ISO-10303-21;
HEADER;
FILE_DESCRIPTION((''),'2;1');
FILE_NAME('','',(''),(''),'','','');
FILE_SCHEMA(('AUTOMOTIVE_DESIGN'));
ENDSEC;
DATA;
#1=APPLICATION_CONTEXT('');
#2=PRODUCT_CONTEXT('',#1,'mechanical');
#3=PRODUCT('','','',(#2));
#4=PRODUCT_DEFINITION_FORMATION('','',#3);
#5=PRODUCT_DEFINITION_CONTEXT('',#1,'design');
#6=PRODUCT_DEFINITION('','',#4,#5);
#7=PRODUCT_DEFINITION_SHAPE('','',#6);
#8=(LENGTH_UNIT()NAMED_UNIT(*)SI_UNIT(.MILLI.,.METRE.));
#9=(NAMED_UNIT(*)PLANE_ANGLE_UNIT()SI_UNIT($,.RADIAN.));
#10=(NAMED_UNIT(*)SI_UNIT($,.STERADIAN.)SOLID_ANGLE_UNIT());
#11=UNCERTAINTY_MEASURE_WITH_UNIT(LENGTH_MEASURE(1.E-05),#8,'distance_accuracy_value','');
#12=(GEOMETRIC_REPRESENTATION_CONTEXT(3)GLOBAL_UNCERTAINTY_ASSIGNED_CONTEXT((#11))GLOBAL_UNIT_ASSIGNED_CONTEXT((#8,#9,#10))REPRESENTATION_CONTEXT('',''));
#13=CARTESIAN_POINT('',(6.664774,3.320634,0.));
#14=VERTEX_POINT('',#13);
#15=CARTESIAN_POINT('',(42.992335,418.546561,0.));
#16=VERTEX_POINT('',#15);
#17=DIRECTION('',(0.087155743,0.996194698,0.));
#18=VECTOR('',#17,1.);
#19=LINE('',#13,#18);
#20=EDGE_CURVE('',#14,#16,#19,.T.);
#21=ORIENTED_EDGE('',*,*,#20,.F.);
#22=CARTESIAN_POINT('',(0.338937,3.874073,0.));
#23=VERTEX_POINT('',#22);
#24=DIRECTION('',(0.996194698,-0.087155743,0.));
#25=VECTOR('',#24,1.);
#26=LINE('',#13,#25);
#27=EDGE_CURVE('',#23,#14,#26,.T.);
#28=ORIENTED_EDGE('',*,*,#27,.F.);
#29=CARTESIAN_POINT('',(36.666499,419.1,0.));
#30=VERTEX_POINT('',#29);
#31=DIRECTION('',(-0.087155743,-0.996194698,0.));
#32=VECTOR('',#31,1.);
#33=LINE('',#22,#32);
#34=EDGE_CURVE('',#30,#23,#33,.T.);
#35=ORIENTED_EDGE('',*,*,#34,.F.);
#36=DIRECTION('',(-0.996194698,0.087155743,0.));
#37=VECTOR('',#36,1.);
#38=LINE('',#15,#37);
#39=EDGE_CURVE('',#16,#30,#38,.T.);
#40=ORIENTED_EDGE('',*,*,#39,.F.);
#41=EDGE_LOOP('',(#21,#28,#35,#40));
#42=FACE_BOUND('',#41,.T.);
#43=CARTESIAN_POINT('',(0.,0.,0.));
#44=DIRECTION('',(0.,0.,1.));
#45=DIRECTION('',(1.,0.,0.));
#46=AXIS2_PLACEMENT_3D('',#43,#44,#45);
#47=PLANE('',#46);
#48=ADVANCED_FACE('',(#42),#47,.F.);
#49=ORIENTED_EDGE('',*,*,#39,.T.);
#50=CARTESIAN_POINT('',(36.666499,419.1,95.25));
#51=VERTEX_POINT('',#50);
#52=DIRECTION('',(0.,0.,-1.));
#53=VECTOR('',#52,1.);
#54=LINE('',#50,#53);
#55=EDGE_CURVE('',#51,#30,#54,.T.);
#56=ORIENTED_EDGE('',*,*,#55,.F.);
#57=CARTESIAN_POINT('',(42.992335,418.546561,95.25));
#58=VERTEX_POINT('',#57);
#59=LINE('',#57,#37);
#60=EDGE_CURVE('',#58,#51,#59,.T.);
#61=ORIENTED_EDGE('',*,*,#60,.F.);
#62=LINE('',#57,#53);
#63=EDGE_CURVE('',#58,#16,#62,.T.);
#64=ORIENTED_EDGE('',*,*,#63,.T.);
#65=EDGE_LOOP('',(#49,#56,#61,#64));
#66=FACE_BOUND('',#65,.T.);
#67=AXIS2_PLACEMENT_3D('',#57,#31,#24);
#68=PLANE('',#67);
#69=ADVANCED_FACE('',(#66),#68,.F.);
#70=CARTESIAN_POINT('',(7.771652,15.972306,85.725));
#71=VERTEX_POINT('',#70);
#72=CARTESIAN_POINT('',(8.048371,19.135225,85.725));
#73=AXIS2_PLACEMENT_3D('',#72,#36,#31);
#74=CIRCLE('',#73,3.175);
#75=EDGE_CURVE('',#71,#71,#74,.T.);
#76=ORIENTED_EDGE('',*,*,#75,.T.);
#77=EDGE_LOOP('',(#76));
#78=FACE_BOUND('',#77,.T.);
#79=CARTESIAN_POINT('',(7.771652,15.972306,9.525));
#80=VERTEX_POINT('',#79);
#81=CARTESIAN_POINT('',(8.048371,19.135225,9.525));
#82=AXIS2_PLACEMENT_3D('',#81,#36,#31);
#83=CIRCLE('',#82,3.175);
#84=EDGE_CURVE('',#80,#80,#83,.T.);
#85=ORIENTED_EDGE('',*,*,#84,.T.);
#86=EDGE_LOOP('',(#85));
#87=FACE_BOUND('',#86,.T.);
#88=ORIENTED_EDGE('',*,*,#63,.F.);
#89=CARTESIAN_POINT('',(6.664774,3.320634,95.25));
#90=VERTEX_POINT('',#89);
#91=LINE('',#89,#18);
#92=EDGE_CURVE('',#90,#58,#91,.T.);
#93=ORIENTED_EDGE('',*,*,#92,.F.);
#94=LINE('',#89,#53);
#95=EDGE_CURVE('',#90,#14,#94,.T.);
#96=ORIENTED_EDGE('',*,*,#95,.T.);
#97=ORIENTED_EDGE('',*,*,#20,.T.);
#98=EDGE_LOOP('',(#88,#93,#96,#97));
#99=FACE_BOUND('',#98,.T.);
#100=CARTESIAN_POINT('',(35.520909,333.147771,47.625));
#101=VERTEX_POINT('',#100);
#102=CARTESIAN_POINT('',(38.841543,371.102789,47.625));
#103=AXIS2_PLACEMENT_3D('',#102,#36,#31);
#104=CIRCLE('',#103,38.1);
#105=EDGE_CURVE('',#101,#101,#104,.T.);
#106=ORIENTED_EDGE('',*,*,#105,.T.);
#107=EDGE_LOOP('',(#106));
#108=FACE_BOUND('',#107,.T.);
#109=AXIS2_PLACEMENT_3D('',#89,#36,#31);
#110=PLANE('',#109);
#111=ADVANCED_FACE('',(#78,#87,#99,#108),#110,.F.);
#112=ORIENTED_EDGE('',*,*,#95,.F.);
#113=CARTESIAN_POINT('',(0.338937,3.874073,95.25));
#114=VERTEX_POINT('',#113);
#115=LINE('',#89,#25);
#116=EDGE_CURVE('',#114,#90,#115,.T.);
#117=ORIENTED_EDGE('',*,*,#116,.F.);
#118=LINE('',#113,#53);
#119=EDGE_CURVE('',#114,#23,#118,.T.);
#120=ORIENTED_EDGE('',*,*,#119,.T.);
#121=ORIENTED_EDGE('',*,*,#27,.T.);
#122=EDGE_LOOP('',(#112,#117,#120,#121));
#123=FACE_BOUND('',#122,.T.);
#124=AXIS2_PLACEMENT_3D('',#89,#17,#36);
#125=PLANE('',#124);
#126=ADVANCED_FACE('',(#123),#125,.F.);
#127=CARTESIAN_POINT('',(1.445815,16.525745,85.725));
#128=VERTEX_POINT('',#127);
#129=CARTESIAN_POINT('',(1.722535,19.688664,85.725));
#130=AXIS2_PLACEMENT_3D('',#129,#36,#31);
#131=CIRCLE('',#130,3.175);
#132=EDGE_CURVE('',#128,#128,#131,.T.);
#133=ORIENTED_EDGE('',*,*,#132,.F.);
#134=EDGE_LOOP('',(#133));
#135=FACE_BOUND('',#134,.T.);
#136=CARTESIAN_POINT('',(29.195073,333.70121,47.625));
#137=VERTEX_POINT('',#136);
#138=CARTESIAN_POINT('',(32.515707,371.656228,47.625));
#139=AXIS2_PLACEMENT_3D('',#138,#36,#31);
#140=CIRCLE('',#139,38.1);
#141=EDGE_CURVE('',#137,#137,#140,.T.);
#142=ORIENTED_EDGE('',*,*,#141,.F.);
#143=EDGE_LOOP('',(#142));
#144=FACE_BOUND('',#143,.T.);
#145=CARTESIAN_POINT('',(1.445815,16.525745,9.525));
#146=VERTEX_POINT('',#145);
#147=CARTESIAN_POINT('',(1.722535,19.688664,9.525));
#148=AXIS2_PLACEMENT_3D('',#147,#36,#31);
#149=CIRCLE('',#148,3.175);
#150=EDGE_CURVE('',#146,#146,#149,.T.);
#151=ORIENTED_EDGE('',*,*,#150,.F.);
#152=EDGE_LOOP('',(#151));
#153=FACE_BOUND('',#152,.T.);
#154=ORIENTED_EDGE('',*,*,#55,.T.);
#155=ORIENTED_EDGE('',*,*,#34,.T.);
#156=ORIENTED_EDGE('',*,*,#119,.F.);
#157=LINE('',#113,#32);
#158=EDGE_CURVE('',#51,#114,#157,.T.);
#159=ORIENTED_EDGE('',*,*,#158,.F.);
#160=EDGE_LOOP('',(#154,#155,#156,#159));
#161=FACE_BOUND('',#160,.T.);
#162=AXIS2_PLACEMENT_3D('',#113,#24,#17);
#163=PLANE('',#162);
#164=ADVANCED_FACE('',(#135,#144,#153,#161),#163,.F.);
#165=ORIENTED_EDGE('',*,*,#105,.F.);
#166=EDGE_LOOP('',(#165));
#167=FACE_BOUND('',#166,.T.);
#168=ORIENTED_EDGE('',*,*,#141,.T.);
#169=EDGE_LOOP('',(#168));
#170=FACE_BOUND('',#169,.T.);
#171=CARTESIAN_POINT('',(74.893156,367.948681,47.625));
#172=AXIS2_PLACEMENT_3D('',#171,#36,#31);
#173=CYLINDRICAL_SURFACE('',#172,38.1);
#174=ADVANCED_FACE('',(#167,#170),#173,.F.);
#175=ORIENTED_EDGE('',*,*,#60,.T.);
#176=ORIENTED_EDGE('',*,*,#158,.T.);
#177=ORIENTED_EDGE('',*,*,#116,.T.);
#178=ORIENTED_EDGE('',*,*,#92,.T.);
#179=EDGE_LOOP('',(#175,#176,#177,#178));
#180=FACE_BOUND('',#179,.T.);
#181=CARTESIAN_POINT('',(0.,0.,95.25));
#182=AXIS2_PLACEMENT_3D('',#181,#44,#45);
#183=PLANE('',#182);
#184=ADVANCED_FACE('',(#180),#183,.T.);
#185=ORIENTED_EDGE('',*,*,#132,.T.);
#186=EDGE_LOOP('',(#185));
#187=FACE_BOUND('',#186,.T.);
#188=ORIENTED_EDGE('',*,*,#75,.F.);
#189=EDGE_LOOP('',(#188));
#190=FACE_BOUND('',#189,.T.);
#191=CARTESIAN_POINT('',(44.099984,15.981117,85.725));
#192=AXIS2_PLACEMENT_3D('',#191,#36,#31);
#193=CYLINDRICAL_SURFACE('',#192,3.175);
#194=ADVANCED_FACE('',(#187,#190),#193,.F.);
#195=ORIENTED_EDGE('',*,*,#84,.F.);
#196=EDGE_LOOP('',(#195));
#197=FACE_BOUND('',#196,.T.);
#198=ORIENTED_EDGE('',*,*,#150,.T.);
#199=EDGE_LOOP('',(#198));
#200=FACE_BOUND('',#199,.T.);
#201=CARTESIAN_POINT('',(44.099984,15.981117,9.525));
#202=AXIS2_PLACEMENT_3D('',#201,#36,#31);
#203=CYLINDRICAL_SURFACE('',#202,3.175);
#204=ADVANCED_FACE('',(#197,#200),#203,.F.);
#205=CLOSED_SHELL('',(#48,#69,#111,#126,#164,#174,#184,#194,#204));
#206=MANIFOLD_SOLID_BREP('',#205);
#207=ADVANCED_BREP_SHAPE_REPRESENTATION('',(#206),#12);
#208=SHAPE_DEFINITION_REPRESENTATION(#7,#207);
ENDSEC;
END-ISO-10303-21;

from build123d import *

# Parameters (mm, degrees)
BOSS_EXTRUDE1_DEPTH = 95.25
SKETCH3_R           = 38.1
CUT_EXTRUDE1_DEPTH  = 43.539324096
SKETCH4_R           = 3.175
CUT_EXTRUDE2_DEPTH  = 43.539324096


with BuildPart() as part:
    # Sketch2 → Boss-Extrude1 (new body)
    with BuildSketch(Plane.XY):
        Polygon((6.664773782, 3.320633799), (0.338937449, 3.874072765), (36.666498884, 419.1), (42.992335217, 418.546561034), align=None)
    extrude(amount=BOSS_EXTRUDE1_DEPTH)

    # Sketch3 → Cut-Extrude1 (cut, through all)
    with BuildSketch(Plane(origin=(0, 0, 0), x_dir=(0, 0, 1), z_dir=(-0.996194698, 0.087155743, 0))):
        with Locations((47.625, 373.075893914)):
            Circle(SKETCH3_R)
    extrude(amount=-CUT_EXTRUDE1_DEPTH, mode=Mode.SUBTRACT)

    # Sketch4 → Cut-Extrude2 (cut, through all)
    with BuildSketch(Plane(origin=(0, 0, 0), x_dir=(0, 0, 1), z_dir=(-0.996194698, 0.087155743, 0))):
        with Locations((9.525, 19.763871094)):
            Circle(SKETCH4_R)
        with Locations((85.725, 19.763871094)):
            Circle(SKETCH4_R)
    extrude(amount=-CUT_EXTRUDE2_DEPTH, mode=Mode.SUBTRACT)


solid = part.part
